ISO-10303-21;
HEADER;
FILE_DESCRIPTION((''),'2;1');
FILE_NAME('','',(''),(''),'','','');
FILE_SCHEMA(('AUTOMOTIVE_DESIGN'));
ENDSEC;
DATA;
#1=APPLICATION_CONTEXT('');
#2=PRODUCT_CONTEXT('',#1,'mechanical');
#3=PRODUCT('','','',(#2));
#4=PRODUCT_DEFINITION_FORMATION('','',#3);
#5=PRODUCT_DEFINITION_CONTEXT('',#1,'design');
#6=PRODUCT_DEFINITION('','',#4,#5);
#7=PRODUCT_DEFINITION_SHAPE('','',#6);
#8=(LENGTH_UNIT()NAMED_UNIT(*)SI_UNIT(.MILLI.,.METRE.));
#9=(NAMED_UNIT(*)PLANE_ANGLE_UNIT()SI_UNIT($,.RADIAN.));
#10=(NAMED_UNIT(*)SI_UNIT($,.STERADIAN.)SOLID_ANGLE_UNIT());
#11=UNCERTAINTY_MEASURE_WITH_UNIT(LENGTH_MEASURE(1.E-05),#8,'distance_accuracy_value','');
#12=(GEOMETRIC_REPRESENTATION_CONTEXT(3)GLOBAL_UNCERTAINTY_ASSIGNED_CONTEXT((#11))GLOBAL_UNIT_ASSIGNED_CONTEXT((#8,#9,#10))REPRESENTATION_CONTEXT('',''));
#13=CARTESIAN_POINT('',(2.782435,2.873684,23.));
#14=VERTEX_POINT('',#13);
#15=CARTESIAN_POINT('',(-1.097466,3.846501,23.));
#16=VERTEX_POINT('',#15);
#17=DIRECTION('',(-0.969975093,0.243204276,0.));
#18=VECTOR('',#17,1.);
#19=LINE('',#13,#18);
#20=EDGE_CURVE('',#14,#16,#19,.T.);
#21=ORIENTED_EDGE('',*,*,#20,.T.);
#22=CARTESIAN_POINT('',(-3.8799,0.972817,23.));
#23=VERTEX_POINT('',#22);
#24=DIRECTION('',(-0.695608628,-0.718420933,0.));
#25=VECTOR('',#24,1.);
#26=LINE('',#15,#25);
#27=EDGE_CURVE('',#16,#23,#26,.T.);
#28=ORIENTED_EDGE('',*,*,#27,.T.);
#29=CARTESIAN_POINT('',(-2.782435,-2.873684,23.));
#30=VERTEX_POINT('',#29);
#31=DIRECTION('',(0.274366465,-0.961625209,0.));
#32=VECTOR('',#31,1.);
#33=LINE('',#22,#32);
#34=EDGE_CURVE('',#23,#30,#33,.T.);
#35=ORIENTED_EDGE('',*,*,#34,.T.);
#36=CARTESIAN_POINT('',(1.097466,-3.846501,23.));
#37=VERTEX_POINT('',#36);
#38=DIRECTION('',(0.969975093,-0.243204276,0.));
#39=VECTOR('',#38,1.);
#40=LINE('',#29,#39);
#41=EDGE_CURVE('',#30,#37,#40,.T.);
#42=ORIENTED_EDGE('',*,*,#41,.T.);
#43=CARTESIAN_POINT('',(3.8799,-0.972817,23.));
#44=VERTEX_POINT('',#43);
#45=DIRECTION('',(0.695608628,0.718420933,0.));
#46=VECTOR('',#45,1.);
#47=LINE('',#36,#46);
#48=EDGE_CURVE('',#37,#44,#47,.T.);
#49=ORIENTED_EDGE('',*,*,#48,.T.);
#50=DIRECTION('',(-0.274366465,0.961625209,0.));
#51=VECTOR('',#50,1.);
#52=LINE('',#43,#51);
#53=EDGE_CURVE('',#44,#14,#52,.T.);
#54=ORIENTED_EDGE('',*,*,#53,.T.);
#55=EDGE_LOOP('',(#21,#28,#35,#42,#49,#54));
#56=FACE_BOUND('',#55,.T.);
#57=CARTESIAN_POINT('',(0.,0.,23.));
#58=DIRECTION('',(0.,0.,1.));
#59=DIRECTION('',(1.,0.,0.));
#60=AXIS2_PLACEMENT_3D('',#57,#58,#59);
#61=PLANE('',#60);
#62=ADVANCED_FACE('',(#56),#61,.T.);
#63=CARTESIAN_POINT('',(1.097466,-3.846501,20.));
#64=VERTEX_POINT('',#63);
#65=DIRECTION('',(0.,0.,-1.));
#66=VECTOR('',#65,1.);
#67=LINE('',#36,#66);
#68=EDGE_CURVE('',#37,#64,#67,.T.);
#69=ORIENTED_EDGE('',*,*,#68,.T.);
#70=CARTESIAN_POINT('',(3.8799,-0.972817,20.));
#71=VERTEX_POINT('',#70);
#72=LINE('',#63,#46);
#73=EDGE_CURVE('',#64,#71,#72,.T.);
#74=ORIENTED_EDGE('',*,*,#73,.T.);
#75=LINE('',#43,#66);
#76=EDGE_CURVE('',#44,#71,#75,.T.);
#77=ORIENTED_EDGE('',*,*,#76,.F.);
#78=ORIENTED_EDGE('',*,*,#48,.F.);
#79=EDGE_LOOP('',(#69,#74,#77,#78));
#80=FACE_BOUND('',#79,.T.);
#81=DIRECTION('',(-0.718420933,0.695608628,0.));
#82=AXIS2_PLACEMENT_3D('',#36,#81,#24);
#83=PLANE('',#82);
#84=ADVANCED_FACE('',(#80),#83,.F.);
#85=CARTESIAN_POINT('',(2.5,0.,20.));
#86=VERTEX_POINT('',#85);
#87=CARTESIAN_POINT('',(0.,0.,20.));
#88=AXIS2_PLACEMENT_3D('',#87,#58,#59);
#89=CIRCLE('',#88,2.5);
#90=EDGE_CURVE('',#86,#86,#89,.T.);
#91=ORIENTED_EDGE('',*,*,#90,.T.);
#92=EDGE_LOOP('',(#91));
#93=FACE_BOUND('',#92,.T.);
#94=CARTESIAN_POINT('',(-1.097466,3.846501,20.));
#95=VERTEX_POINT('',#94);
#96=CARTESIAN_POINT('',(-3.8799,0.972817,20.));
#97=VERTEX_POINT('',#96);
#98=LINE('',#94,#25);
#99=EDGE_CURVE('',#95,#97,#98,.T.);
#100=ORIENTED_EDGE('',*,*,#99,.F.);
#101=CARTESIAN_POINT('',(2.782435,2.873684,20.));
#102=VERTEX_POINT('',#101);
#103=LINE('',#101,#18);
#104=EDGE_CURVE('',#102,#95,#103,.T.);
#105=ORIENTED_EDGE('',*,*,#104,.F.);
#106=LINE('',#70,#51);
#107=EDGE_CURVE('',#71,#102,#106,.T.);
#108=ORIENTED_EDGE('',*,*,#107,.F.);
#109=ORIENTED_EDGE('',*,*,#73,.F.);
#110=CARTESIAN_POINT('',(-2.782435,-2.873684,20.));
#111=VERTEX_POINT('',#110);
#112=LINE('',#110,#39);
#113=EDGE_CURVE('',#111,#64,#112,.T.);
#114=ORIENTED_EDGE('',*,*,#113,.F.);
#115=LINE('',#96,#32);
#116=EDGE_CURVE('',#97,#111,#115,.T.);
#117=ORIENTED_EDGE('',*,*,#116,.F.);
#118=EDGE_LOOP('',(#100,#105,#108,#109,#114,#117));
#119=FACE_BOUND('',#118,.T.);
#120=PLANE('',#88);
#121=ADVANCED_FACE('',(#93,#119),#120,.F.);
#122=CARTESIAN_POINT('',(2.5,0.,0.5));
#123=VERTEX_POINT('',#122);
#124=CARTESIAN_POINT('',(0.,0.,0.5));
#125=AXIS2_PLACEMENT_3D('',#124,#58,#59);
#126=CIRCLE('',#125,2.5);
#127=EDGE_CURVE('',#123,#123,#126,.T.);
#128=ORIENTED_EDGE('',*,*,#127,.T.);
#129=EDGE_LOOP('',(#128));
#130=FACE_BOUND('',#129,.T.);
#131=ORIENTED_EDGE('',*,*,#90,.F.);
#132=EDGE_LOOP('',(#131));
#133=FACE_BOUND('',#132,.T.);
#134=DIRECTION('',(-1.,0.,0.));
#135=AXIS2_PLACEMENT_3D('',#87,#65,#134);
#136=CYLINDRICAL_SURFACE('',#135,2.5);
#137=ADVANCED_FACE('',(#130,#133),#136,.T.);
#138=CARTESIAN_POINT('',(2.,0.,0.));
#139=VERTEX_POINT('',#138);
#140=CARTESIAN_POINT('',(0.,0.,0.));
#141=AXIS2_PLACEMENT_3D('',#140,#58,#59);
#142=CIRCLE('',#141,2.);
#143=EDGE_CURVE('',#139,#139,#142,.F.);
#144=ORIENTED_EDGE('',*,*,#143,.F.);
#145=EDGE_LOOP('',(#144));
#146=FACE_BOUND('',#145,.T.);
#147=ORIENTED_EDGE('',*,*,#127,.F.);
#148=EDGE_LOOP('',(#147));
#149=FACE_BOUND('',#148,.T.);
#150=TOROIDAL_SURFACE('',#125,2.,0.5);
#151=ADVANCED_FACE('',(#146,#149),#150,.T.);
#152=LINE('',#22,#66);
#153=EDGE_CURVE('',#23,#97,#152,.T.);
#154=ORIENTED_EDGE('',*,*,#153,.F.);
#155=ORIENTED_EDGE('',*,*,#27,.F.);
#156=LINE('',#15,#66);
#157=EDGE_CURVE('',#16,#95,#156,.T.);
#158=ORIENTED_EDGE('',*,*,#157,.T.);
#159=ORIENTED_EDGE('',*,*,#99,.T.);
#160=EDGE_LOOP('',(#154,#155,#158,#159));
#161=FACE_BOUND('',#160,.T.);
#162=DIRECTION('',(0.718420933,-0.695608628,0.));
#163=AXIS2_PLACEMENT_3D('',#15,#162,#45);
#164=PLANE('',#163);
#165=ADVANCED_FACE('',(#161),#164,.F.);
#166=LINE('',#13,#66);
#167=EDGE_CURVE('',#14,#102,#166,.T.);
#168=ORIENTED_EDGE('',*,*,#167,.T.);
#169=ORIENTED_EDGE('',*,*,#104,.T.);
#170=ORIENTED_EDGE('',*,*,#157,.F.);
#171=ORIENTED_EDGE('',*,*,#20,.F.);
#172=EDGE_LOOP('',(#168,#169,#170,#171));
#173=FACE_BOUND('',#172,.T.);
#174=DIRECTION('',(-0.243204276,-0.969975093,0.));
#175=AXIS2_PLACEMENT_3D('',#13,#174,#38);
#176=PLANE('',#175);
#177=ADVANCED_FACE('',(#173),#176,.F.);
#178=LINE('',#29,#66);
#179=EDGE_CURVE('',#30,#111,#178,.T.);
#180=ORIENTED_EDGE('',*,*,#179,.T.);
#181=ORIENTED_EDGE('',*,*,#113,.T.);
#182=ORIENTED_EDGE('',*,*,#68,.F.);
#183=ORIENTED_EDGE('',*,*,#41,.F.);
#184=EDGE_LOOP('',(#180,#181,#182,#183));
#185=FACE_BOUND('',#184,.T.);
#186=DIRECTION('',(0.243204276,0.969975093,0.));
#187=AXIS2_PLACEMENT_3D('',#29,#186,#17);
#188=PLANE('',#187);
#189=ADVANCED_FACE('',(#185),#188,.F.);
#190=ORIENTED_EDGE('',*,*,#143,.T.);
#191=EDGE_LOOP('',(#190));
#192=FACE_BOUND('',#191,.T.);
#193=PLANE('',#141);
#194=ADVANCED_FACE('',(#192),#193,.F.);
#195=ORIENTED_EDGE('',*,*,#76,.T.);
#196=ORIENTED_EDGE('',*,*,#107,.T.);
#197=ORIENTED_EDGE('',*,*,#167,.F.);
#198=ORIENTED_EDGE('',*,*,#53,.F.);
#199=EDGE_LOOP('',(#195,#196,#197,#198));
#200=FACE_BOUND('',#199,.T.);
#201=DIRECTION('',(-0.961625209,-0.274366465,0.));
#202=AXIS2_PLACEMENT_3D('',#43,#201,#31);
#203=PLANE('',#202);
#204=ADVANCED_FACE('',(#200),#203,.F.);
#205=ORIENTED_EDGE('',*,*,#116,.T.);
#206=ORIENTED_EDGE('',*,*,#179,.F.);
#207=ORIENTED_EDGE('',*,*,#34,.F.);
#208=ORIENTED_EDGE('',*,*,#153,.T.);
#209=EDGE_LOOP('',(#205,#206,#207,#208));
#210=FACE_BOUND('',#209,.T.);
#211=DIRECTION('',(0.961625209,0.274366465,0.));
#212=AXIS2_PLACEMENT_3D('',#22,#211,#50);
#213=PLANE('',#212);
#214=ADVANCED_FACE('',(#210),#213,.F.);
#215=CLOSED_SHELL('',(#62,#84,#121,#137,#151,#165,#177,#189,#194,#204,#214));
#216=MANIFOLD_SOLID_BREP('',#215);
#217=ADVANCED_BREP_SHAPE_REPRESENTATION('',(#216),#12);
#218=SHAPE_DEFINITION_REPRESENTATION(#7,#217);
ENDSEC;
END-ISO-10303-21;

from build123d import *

# Parameters (mm, degrees)
SKETCH1_R           = 2.5
BOSS_EXTRUDE1_DEPTH = 20
BOSS_EXTRUDE2_DEPTH = 3
FILLET1_R           = 0.5


with BuildPart() as part:
    # Sketch1 → Boss-Extrude1 (new body)
    with BuildSketch(Plane.XY):
        Circle(SKETCH1_R)
    extrude(amount=BOSS_EXTRUDE1_DEPTH)

    # Sketch3 → Boss-Extrude2 (add)
    with BuildSketch(Plane.XY.offset(20)):
        Polygon((2.782434511, 2.873683732), (-1.097465859, 3.846500837), (-3.87990037, 0.972817104), (-2.782434511, -2.873683732), (1.097465859, -3.846500837), (3.87990037, -0.972817104), align=None)
    extrude(amount=BOSS_EXTRUDE2_DEPTH)

    # Fillet1
    fillet1_edges = [part.edges().sort_by_distance(p)[0] for p in [
        (-2.5, 0, 0),
    ]]
    fillet(fillet1_edges, radius=FILLET1_R)


solid = part.part
